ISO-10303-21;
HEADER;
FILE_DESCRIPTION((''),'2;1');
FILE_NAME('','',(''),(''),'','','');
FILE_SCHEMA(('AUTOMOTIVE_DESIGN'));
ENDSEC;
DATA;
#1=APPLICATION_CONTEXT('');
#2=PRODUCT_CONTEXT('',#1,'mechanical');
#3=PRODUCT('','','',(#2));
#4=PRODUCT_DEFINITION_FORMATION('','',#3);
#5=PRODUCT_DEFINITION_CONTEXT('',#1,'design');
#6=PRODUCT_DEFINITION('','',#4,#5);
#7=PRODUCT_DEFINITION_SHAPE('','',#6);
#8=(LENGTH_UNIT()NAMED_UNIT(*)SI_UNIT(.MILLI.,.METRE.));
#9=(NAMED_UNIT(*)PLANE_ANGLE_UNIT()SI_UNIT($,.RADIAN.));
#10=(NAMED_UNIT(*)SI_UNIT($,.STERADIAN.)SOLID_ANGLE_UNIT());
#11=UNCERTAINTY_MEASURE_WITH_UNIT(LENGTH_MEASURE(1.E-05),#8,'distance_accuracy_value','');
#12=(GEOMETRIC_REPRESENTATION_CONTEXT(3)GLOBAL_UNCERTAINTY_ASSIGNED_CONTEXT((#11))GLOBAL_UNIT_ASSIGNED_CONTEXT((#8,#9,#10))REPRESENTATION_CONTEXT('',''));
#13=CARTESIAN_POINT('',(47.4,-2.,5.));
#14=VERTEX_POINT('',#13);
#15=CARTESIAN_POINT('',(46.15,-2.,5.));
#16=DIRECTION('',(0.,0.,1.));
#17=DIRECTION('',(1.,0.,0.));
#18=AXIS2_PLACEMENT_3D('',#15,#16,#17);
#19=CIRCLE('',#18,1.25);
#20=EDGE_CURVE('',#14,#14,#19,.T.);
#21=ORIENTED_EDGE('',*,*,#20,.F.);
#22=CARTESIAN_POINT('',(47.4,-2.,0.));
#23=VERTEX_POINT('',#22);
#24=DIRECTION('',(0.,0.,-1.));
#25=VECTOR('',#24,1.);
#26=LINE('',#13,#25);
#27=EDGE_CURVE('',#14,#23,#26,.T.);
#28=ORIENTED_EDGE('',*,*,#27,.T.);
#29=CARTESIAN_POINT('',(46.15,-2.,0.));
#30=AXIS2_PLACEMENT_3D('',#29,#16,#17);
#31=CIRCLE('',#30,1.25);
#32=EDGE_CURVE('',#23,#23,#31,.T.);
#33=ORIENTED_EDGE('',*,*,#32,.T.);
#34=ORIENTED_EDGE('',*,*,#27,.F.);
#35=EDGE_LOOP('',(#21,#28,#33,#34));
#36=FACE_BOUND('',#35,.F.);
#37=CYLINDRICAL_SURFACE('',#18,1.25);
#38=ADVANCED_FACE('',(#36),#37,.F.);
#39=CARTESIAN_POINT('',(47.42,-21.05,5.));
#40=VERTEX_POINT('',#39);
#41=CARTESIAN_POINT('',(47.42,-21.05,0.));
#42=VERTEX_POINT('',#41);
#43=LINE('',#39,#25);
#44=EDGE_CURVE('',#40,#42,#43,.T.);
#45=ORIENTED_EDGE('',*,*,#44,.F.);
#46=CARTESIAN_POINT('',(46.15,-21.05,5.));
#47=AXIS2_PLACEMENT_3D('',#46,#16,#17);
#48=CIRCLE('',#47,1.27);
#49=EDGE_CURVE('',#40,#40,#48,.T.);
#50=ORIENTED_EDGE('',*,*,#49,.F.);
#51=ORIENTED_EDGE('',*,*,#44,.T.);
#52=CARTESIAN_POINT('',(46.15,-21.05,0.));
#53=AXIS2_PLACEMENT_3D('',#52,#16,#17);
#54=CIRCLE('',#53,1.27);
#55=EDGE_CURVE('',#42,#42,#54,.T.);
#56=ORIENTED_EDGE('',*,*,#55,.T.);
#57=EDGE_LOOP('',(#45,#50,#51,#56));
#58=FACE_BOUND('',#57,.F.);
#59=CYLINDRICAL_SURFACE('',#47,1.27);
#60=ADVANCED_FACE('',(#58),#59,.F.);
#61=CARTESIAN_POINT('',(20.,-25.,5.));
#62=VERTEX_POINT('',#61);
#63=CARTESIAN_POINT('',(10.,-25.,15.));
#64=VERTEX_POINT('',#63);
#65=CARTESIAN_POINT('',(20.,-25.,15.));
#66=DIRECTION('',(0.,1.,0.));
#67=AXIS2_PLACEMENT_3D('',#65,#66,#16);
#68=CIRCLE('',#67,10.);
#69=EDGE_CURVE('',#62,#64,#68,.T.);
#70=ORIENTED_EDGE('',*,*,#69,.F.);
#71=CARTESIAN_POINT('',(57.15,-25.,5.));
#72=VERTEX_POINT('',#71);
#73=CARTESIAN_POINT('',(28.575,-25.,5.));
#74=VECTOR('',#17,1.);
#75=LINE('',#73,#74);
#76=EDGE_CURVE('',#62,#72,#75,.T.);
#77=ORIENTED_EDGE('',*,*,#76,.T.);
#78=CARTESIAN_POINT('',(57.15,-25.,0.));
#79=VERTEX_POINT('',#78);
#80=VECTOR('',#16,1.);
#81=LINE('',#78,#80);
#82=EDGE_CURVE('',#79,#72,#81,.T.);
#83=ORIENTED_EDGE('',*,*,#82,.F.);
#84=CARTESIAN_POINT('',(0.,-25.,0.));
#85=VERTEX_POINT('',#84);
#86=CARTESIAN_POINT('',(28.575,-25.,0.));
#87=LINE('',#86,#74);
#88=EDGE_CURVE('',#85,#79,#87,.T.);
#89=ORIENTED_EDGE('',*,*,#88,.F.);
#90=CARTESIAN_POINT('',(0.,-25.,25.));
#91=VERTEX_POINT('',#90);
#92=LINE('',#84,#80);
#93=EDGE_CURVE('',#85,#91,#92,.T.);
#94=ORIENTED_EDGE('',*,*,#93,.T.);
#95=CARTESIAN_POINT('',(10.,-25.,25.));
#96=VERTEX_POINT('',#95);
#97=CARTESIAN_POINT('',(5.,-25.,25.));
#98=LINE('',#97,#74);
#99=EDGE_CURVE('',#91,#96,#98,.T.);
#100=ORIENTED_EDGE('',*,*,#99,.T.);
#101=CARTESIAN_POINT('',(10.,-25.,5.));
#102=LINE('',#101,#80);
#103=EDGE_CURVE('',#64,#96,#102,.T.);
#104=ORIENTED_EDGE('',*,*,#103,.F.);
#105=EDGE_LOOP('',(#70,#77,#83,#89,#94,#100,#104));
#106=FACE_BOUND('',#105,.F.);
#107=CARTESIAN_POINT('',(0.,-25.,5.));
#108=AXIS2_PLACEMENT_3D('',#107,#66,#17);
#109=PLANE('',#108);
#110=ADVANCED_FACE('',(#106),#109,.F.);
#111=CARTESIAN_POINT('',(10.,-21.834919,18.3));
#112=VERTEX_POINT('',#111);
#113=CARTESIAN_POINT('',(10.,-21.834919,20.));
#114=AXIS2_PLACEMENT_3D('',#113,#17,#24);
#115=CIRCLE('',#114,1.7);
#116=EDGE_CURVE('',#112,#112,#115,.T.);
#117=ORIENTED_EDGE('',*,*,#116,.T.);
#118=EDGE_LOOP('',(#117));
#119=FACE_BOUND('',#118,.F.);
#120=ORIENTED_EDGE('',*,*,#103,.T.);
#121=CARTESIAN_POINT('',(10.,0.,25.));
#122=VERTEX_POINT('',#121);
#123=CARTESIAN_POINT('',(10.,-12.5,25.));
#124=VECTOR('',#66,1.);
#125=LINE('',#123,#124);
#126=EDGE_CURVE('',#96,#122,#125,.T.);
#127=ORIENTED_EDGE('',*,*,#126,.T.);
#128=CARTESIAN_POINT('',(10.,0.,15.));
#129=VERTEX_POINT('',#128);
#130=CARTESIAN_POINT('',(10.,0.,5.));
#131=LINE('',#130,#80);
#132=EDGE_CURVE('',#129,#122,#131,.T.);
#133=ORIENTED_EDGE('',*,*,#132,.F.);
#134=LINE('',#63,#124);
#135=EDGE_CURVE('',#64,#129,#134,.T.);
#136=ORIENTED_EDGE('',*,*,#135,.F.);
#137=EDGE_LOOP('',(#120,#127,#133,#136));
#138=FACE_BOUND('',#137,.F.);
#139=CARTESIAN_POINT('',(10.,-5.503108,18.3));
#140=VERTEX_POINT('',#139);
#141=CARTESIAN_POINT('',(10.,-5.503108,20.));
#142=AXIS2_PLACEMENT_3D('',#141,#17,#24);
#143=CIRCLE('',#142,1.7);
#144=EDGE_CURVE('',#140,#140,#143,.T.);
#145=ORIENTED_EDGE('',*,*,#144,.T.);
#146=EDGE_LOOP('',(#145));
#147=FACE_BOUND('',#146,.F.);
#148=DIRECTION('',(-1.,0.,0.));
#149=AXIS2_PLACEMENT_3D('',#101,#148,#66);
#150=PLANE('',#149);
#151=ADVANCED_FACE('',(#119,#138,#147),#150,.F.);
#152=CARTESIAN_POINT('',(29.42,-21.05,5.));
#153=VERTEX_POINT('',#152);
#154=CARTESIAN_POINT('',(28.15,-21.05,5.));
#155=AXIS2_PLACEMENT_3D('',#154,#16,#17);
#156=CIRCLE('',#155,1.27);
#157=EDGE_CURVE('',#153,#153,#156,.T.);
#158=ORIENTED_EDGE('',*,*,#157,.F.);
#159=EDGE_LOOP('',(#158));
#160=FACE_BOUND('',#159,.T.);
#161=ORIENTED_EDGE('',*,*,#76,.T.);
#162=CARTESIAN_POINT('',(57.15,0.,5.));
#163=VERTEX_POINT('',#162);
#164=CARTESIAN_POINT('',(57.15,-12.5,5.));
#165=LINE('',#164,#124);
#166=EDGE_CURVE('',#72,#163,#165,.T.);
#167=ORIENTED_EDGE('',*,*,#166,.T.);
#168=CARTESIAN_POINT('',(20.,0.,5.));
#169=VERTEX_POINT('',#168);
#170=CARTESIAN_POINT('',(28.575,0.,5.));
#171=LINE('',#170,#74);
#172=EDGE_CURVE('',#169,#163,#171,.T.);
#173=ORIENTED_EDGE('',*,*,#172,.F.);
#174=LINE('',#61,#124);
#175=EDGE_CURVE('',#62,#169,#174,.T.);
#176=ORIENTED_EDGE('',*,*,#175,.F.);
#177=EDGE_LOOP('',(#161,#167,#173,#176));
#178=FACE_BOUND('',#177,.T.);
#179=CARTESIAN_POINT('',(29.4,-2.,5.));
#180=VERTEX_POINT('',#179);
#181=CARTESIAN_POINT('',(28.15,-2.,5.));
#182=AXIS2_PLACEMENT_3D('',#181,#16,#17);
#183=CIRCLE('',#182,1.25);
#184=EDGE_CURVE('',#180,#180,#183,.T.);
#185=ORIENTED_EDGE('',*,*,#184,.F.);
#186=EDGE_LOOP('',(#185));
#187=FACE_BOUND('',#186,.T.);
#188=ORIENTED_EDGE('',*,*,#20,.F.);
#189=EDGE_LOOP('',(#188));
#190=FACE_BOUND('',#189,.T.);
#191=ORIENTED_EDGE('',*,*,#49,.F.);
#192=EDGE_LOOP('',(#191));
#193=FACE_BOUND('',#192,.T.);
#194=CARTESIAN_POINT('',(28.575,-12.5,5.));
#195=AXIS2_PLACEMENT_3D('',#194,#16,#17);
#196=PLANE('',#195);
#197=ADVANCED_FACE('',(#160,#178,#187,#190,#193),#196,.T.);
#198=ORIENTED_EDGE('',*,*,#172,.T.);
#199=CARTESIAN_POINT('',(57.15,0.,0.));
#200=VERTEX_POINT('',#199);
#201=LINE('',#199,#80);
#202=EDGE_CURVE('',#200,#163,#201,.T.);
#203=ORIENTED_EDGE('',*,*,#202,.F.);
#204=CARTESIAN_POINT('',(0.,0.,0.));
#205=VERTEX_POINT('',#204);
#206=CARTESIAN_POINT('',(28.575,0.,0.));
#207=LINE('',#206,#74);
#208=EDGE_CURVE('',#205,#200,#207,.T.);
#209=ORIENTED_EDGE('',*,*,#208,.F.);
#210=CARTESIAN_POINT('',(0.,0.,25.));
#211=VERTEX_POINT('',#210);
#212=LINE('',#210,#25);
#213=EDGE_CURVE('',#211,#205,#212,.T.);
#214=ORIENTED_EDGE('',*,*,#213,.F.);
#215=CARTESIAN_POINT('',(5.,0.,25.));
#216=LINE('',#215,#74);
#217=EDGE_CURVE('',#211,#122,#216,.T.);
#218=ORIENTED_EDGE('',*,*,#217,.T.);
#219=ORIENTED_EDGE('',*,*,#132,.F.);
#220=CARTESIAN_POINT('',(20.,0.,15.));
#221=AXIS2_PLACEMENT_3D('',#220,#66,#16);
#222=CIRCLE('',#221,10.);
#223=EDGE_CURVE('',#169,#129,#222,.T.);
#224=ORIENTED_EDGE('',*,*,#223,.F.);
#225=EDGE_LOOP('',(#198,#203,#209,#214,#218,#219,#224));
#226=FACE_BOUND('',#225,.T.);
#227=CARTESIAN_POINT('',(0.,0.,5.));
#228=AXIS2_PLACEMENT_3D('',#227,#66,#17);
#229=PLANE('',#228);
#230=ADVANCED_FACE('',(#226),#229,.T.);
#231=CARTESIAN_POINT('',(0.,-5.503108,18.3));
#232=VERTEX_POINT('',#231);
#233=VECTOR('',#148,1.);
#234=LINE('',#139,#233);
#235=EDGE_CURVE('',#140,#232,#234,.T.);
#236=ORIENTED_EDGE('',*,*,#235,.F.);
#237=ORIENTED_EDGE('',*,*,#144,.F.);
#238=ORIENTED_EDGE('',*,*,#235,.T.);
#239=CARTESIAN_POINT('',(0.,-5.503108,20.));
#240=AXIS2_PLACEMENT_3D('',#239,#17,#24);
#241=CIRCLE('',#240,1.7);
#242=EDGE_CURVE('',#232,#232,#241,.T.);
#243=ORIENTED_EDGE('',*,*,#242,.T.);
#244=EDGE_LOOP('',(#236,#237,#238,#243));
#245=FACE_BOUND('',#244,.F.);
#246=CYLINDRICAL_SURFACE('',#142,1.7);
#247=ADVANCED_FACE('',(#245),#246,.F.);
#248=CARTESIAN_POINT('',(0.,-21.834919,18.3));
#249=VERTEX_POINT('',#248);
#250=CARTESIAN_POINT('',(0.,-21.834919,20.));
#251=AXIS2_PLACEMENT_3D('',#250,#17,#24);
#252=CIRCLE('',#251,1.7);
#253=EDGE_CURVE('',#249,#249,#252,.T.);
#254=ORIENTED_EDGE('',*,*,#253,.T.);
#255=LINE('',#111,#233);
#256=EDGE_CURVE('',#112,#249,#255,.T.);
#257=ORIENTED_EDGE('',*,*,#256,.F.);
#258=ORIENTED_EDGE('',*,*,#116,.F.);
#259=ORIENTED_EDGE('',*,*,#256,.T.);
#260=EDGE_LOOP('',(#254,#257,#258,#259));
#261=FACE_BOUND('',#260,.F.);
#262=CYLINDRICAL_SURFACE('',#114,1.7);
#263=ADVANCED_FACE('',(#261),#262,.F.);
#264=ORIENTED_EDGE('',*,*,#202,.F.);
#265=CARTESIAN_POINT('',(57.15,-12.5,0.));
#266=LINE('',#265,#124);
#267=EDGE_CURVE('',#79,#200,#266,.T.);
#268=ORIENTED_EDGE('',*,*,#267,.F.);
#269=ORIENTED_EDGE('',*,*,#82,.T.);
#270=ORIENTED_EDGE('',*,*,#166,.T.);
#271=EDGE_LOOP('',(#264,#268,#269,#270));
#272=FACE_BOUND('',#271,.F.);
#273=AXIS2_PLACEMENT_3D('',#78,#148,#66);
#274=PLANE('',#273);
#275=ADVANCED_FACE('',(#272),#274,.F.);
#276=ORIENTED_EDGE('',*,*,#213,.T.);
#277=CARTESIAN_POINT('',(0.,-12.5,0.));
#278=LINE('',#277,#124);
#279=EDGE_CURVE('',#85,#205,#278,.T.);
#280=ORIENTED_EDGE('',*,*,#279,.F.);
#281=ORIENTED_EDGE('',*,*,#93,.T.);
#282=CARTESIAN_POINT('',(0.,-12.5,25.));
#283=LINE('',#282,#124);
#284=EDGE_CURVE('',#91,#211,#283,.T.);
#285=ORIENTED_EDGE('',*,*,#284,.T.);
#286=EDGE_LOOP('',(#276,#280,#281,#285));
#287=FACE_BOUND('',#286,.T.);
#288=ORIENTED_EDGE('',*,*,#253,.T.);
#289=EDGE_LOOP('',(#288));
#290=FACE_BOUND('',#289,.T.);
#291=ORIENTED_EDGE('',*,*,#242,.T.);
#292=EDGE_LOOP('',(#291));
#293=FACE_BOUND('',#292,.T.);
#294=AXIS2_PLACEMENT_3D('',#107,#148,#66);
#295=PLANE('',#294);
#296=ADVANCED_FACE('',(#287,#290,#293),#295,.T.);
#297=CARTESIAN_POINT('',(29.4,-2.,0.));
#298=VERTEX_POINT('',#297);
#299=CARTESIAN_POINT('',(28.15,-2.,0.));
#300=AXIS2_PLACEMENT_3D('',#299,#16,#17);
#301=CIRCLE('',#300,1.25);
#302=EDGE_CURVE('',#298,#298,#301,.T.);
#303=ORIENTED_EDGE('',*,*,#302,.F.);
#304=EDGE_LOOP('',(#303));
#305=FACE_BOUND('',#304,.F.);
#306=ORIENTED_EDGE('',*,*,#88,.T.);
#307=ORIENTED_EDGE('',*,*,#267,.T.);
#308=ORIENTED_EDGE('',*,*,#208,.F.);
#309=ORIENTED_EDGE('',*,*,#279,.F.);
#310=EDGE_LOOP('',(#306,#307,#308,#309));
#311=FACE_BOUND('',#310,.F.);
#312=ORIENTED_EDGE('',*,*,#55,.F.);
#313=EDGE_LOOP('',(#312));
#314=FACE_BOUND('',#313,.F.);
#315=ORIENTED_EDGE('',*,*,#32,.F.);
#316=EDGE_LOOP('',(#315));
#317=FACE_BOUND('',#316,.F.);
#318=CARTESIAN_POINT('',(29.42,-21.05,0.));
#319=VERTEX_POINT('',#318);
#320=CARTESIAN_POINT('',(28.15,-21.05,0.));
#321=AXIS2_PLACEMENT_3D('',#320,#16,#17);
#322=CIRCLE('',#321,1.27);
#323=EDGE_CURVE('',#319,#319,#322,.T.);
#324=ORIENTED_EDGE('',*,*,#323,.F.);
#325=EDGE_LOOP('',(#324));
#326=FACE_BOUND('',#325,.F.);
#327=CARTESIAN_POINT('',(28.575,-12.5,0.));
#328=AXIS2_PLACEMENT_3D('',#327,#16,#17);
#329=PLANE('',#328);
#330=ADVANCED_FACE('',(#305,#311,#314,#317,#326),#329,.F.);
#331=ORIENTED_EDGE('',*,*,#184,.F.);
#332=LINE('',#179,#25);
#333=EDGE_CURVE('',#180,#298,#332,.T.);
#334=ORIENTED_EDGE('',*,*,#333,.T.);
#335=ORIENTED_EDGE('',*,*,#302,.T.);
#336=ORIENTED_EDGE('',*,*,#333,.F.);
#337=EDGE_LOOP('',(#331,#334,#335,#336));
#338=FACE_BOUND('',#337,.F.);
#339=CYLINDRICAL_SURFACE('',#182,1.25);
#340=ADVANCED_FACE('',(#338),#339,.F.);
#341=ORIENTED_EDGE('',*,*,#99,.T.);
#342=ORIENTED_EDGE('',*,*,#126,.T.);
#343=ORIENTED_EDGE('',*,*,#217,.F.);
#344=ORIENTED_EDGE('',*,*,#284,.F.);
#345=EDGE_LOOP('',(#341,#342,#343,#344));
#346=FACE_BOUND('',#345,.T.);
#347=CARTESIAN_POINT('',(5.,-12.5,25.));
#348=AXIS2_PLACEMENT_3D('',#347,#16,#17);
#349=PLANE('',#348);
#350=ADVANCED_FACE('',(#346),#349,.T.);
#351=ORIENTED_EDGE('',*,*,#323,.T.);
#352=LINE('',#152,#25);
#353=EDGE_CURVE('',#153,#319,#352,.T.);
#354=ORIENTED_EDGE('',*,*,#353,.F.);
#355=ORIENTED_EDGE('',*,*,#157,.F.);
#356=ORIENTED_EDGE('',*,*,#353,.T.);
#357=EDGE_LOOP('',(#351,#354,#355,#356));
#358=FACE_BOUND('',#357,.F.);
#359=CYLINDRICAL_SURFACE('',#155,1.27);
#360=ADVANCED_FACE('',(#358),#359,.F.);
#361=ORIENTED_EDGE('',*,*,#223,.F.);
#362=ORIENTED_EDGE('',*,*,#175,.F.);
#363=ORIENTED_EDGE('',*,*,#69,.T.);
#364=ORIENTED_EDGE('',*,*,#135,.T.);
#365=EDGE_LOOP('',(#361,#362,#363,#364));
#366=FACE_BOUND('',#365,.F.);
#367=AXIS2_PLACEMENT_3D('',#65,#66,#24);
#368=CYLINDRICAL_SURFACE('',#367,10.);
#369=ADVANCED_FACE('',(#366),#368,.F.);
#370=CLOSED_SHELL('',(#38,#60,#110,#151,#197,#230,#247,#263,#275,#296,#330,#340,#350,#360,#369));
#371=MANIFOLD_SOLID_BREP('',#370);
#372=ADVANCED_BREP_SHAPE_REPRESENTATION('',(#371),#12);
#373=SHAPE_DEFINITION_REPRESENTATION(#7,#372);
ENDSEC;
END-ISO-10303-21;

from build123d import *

# Parameters (mm, degrees)
SKETCH1_W           = 57.15
SKETCH1_H           = 25
BOSS_EXTRUDE1_DEPTH = 5
SKETCH2_R           = 1.25
SKETCH2_R_2         = 1.27
CUT_EXTRUDE2_DEPTH  = 6
SKETCH5_W           = 10
SKETCH5_H           = 25
BOSS_EXTRUDE3_DEPTH = 20
FILLET1_R           = 10
SKETCH6_R           = 1.7
CUT_EXTRUDE3_DEPTH  = 11


with BuildPart() as part:
    # Sketch1 → Boss-Extrude1 (new body)
    with BuildSketch(Plane.XY):
        with Locations((28.575, -12.5)):
            Rectangle(SKETCH1_W, SKETCH1_H)
    extrude(amount=BOSS_EXTRUDE1_DEPTH)

    # Sketch2 → Cut-Extrude2 (cut, through all)
    with BuildSketch(Plane.XY.offset(5)):
        with Locations((28.15, -2)):
            Circle(SKETCH2_R)
        with Locations((46.15, -2)):
            Circle(SKETCH2_R)
        with Locations((28.15, -21.05)):
            Circle(SKETCH2_R_2)
        with Locations((46.15, -21.05)):
            Circle(SKETCH2_R_2)
    extrude(amount=-CUT_EXTRUDE2_DEPTH, mode=Mode.SUBTRACT)

    # Sketch5 → Boss-Extrude3 (add)
    with BuildSketch(Plane.XY.offset(5)):
        with Locations((5, -12.5)):
            Rectangle(SKETCH5_W, SKETCH5_H)
    extrude(amount=BOSS_EXTRUDE3_DEPTH)

    # Fillet1
    fillet1_edges = [part.edges().sort_by_distance(p)[0] for p in [
        (10, -12.5, 5),
    ]]
    fillet(fillet1_edges, radius=FILLET1_R)

    # Sketch6 → Cut-Extrude3 (cut, through all)
    with BuildSketch(Plane(origin=(10, 0, 0), x_dir=(0, 0, -1), z_dir=(1, 0, 0))):
        with Locations((-20, -21.834919238)):
            Circle(SKETCH6_R)
        with Locations((-20, -5.503108416)):
            Circle(SKETCH6_R)
    extrude(amount=-CUT_EXTRUDE3_DEPTH, mode=Mode.SUBTRACT)


solid = part.part
